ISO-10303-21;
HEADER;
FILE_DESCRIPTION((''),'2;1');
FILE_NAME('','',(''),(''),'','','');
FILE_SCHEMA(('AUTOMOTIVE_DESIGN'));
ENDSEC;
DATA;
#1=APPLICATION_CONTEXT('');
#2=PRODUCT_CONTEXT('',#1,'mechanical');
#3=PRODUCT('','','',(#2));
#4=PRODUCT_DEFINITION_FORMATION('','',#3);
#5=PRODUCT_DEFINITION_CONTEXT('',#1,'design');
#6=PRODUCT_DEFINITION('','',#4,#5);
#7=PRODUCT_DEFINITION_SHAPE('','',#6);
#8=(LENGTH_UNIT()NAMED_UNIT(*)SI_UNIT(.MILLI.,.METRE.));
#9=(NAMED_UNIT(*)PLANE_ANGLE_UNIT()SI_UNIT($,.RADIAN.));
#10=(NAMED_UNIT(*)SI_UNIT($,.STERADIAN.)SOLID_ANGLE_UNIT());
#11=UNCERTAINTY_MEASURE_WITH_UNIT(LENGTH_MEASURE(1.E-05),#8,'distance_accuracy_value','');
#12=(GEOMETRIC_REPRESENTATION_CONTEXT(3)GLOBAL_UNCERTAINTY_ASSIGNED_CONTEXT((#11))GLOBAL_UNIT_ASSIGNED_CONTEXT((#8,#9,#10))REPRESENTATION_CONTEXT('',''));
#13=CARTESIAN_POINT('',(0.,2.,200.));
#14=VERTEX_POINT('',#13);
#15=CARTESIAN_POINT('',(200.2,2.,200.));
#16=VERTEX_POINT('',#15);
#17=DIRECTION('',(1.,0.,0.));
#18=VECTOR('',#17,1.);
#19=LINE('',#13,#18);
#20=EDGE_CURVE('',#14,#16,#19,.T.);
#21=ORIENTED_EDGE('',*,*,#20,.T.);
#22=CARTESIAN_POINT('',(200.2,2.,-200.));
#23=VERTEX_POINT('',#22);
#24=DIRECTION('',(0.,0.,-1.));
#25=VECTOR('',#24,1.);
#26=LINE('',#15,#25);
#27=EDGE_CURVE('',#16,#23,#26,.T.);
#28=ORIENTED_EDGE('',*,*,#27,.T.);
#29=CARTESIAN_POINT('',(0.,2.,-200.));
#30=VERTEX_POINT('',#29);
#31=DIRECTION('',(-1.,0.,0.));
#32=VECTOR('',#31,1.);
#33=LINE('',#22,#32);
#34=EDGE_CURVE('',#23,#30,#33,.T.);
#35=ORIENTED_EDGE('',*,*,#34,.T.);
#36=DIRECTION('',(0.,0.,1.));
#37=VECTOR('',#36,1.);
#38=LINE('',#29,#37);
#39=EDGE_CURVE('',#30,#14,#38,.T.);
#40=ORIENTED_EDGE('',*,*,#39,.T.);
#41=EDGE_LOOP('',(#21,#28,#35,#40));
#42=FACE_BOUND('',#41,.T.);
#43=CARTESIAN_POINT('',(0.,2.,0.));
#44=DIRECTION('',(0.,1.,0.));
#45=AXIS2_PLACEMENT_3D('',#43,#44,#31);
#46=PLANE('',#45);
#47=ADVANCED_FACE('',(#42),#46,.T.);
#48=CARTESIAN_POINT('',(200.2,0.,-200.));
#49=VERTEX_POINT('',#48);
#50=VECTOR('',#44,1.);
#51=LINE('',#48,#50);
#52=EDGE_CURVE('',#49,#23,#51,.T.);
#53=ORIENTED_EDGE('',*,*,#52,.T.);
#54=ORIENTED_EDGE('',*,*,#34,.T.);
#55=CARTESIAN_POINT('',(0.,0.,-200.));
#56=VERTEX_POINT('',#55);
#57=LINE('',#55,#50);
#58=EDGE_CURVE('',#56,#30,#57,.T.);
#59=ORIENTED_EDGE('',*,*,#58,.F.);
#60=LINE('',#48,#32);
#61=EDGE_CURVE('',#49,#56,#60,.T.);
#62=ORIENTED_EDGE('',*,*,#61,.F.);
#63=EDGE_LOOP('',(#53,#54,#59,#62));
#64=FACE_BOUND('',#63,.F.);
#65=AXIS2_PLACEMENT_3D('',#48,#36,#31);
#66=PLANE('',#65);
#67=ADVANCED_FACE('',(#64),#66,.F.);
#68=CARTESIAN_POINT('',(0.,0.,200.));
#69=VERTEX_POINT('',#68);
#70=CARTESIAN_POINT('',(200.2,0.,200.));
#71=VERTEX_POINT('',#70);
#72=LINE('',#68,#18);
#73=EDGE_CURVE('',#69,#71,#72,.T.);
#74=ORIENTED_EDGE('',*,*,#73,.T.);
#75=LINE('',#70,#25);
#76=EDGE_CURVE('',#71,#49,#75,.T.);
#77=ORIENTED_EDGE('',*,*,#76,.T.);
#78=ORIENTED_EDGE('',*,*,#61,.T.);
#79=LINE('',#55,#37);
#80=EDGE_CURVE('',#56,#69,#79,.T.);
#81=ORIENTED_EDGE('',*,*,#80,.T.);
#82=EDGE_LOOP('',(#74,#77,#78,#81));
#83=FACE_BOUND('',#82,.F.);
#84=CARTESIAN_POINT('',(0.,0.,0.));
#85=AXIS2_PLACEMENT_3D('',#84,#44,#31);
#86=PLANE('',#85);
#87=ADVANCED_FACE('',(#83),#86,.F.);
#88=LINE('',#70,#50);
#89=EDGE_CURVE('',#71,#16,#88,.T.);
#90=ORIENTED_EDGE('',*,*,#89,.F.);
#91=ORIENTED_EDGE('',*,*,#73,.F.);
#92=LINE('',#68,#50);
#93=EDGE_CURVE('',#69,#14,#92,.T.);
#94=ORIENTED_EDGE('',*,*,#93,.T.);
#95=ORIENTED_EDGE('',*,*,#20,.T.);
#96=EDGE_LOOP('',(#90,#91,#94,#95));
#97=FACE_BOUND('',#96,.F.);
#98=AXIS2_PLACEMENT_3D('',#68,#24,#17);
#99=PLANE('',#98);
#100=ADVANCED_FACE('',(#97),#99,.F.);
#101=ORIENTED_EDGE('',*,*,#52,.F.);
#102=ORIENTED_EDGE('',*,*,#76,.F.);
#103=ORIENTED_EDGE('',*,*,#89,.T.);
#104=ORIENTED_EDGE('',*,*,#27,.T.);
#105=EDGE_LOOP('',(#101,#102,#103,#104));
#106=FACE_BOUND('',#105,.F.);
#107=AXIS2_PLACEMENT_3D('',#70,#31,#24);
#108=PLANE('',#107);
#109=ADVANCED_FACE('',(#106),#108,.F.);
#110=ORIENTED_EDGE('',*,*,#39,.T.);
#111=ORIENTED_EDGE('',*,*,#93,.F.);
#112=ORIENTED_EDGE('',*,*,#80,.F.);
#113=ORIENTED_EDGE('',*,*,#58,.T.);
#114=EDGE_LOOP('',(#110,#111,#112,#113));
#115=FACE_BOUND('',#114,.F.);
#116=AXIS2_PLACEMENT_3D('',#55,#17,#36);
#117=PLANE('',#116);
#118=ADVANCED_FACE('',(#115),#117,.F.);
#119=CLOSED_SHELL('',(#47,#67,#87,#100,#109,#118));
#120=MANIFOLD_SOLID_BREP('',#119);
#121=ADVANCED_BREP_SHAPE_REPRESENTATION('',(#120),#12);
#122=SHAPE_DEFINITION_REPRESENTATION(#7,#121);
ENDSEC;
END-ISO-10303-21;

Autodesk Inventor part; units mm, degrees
ref_plane "YZ Plane" through (0, 0, 0) normal (1, 0, 0) x (0, 1, 0)
ref_plane "XZ Plane" through (0, 0, 0) normal (0, 1, 0) x (-1, 0, 0)
ref_plane "XY Plane" through (0, 0, 0) normal (0, 0, 1) x (1, 0, 0)
sketch "Sketch1" plane through (0, 0, 0) normal (0, 1, 0) x (-1, 0, 0)
  line L0 (0, 200) -> (-200.2, 200)
  line L1 (-200.2, 200) -> (-200.2, -200)
  line L2 (-200.2, -200) -> (0, -200)
  line L3 (0, -200) -> (0, 200)
  point P0 (0, 0)
  point P1 (0, 0)
  dimension "d0" = 400
  dimension "d1" = 200.2
extrude "Plate2" add sketch "Sketch1" along normal blind 2
equation "\"d3\" = Thickness"
equation "\"BendReliefWidth\" = Thickness"
equation "\"BendReliefDepth\" = 0.5 * Thickness"
equation "\"CornerReliefSize\" = 4 * Thickness"
equation "\"MinimumRemnant\" = 2 * Thickness"
equation "\"TransitionRadius\" = BendRadius"
equation "\"JacobiRadiusSize\" = BendRadius"
equation "\"GapSize\" = Thickness"
equation "\"Thickness\" = 2"
equation "\"BendRadius\" = 2.5"
properties part number "MSC 709 ridge 5" material "Stainless Steel"
